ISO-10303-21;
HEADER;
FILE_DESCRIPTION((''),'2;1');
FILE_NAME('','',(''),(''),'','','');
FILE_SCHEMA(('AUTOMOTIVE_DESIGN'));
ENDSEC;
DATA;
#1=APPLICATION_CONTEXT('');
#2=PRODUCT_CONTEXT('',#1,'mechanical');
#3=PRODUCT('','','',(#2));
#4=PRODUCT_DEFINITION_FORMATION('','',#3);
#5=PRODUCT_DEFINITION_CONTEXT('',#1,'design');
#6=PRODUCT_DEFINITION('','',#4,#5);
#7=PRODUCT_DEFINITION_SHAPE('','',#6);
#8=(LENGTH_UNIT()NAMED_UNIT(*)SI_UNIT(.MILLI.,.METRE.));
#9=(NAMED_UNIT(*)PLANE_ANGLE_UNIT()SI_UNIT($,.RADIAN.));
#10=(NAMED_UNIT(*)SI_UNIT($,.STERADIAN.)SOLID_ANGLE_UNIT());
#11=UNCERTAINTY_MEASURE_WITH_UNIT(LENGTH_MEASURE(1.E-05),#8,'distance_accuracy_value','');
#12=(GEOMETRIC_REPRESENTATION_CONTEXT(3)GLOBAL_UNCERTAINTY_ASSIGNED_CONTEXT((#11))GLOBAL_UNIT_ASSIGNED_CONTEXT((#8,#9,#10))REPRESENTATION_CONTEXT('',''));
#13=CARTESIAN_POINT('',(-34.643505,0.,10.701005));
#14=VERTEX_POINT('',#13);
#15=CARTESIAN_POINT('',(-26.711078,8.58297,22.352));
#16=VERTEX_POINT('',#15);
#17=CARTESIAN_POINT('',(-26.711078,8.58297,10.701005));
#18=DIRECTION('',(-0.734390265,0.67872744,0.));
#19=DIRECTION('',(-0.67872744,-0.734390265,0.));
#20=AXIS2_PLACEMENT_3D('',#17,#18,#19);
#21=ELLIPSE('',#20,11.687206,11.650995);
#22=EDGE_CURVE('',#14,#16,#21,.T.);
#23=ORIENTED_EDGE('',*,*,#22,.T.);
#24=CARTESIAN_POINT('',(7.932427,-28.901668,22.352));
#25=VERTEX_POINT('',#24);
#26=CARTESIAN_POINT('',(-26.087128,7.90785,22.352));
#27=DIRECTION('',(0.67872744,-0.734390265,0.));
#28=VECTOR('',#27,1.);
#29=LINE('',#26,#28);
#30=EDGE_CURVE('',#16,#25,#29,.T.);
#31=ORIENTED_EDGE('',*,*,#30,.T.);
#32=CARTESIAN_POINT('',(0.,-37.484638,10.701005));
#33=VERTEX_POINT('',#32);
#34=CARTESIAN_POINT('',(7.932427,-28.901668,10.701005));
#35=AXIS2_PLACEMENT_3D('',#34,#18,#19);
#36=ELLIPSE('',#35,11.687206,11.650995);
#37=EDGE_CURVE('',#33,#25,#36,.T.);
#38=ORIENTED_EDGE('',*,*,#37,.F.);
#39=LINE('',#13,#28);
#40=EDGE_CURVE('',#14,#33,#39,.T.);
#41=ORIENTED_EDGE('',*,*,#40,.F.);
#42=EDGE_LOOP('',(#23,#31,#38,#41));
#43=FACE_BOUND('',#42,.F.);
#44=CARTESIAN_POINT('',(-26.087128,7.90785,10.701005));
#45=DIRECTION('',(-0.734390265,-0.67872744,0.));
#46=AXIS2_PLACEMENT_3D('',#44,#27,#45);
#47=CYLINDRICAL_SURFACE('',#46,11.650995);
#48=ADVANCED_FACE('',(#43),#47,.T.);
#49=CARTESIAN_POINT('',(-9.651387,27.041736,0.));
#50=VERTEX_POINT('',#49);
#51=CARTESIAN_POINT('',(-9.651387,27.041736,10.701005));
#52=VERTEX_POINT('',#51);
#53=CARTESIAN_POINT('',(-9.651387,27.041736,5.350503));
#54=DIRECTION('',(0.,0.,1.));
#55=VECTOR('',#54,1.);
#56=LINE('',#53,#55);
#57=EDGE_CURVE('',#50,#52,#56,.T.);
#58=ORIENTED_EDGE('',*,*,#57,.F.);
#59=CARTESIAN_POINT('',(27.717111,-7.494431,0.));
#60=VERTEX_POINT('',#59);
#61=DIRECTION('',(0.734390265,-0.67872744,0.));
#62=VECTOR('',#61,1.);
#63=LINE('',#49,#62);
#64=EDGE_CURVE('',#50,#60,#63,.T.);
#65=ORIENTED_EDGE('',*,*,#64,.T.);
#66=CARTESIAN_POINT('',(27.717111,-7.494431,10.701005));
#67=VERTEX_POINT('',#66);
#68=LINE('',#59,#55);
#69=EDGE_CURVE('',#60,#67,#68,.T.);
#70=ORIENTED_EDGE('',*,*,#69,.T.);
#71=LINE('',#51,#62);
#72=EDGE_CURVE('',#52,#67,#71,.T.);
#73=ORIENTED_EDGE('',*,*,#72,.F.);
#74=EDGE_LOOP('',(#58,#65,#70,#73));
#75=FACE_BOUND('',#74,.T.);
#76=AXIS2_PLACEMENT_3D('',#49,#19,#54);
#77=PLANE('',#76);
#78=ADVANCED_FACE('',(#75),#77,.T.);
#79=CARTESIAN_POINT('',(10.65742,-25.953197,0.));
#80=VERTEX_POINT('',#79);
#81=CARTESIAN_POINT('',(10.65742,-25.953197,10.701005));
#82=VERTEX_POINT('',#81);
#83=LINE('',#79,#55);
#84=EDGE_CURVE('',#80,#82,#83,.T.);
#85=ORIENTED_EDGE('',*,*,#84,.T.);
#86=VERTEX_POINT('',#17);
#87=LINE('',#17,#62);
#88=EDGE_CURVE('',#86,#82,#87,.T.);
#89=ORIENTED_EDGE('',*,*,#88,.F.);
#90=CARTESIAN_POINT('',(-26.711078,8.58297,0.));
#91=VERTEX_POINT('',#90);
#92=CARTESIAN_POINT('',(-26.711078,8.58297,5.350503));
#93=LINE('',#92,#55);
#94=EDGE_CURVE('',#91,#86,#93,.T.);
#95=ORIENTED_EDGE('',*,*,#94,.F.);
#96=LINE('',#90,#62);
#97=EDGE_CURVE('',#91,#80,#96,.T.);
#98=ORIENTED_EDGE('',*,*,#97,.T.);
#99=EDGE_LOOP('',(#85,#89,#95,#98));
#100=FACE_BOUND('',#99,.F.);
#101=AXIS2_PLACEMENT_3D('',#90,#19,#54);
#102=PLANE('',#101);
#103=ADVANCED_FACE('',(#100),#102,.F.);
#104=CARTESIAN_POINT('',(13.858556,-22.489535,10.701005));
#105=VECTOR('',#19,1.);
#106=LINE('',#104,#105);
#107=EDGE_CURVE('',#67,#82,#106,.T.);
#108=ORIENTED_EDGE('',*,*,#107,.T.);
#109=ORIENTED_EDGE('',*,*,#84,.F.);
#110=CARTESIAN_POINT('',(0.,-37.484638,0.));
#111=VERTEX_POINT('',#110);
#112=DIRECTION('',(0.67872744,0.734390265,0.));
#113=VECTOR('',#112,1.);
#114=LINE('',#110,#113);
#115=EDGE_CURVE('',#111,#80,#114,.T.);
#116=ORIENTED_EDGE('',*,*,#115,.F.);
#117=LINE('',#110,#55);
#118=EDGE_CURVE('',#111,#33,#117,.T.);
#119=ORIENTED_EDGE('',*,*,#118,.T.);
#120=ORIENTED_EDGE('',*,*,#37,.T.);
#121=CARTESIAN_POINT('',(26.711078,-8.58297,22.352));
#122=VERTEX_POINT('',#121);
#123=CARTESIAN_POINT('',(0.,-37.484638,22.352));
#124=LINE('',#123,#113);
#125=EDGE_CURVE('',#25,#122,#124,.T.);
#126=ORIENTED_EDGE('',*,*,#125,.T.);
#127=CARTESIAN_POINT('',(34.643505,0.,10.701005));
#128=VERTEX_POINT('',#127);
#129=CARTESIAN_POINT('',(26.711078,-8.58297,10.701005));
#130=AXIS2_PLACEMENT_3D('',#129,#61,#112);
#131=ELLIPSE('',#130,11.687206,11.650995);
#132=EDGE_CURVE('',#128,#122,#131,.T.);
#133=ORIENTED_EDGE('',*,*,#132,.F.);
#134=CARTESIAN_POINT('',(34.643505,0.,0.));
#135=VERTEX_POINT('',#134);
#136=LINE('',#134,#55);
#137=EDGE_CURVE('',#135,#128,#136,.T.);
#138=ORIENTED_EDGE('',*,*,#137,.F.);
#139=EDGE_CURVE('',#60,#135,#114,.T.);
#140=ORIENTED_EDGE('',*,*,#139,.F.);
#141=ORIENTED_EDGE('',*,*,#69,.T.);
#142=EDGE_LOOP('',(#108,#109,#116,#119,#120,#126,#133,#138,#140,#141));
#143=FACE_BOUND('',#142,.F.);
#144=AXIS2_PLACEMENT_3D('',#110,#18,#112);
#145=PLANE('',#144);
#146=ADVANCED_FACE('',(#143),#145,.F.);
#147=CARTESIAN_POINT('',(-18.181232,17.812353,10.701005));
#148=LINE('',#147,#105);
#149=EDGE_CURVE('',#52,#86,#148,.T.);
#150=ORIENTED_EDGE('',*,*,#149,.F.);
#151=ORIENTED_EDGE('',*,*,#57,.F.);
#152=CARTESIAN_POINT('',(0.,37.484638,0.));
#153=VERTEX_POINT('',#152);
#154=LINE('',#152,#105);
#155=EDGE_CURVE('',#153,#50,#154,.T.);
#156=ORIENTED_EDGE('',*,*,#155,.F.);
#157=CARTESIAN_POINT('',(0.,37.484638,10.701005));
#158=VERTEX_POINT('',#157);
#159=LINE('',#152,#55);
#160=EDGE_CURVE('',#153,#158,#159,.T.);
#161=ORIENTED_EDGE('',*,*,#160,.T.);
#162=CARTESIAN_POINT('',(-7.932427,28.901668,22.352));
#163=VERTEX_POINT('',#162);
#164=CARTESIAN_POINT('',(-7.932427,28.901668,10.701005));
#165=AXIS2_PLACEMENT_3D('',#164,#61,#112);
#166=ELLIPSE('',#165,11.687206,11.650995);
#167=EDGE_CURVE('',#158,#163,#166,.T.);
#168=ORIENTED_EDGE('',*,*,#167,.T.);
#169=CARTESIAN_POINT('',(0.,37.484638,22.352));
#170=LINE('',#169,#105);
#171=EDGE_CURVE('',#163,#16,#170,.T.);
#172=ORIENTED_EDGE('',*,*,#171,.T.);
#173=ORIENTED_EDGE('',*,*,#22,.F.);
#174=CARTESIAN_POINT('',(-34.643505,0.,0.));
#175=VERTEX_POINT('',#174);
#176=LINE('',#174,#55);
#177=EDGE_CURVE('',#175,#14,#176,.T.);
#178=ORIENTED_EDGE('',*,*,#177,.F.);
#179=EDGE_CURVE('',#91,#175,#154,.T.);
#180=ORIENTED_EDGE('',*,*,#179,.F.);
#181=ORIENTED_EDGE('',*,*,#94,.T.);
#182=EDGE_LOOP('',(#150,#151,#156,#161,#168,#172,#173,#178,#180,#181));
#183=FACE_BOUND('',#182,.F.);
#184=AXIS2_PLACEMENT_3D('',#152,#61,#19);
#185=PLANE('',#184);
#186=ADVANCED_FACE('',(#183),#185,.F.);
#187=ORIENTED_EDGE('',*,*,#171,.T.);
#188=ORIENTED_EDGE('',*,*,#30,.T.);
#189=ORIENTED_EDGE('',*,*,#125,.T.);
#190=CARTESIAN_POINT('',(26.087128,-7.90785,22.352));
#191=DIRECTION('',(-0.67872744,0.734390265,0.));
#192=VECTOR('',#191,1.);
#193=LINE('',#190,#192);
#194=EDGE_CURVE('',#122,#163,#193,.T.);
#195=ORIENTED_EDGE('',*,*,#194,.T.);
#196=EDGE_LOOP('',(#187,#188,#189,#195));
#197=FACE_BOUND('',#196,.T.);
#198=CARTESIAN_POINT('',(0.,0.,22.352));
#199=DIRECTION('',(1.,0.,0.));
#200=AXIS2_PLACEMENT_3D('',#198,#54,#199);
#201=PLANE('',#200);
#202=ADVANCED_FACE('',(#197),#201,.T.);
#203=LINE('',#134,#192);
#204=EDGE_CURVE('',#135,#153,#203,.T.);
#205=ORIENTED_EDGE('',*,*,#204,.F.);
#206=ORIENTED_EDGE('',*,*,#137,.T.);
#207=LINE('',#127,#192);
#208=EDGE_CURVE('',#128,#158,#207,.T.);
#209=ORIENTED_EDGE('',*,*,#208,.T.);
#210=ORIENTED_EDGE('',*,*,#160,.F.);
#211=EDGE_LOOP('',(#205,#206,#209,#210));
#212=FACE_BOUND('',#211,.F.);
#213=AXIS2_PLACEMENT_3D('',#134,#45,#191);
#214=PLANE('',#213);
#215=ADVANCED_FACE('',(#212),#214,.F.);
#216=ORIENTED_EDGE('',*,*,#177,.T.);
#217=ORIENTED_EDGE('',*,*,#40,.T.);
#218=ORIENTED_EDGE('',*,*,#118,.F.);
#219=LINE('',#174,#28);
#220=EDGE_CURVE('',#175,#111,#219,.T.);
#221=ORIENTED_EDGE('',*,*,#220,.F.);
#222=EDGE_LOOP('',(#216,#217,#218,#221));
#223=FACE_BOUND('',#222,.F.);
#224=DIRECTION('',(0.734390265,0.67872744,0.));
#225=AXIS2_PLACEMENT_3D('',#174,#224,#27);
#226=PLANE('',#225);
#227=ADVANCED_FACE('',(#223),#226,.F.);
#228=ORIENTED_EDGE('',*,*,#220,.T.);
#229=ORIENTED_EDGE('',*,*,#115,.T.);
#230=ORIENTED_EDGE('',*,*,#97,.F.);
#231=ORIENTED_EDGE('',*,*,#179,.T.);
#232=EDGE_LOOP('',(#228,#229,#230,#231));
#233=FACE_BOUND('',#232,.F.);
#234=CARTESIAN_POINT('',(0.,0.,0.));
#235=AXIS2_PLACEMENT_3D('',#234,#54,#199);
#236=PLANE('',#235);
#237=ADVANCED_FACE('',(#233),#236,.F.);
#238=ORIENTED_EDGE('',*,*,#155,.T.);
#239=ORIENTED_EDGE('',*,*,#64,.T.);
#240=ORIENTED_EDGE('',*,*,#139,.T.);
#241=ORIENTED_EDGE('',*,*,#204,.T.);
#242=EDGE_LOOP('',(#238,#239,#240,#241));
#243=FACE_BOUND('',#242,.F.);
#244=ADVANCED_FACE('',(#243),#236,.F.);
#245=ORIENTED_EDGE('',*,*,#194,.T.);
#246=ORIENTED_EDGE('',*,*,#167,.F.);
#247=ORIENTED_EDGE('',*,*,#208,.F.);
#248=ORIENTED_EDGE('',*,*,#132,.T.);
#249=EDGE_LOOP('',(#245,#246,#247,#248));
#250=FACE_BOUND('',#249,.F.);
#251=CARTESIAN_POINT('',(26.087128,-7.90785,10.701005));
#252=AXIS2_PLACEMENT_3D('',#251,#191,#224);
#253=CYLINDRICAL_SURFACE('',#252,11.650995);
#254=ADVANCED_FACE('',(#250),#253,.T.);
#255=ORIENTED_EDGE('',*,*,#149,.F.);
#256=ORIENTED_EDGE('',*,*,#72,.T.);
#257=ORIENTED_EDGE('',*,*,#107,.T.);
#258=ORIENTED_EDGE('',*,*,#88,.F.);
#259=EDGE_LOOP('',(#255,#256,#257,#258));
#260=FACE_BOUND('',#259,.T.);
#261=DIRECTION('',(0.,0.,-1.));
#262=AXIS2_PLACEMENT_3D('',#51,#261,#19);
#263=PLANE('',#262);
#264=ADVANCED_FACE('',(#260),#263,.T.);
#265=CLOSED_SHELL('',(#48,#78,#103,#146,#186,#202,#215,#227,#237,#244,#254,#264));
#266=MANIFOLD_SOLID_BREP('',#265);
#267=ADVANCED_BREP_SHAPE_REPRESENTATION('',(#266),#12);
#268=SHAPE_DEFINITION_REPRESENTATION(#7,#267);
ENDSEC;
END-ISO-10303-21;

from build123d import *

# Parameters (mm, degrees)
F1_DEPTH = 22.352
F2_R     = 11.650994652
F3_W     = 25.1348185512
F3_H     = 10.701005348
F5_DEPTH = 76.326557987


with BuildPart() as f1:
    # F0 (on Top) → F1 (new body)
    with BuildSketch(Plane.XY):
        Polygon((0, 37.4846383929), (-34.6435047686, 0), (0, -37.4846383929), (34.6435047686, 0), align=None)
    extrude(amount=F1_DEPTH)

    # F2
    f2_edges = [f1.edges().sort_by_distance(p)[0] for p in [
        (-17.321752, -18.742319, 22.352),
        (17.321752, 18.742319, 22.352),
    ]]
    fillet(f2_edges, radius=F2_R)

    # F3 (on face) → F5 (cut, through all)
    with BuildSketch(Plane(origin=(-18.6842489296, 17.2680835308, 0), x_dir=(-0.6787274402, -0.7343902654, 0), z_dir=(-0.7343902654, 0.6787274402, 0))):
        with Locations((-0.7411176725, 5.350502674)):
            Rectangle(F3_W, F3_H)
    extrude(amount=-F5_DEPTH, mode=Mode.SUBTRACT)


solid = f1.part
